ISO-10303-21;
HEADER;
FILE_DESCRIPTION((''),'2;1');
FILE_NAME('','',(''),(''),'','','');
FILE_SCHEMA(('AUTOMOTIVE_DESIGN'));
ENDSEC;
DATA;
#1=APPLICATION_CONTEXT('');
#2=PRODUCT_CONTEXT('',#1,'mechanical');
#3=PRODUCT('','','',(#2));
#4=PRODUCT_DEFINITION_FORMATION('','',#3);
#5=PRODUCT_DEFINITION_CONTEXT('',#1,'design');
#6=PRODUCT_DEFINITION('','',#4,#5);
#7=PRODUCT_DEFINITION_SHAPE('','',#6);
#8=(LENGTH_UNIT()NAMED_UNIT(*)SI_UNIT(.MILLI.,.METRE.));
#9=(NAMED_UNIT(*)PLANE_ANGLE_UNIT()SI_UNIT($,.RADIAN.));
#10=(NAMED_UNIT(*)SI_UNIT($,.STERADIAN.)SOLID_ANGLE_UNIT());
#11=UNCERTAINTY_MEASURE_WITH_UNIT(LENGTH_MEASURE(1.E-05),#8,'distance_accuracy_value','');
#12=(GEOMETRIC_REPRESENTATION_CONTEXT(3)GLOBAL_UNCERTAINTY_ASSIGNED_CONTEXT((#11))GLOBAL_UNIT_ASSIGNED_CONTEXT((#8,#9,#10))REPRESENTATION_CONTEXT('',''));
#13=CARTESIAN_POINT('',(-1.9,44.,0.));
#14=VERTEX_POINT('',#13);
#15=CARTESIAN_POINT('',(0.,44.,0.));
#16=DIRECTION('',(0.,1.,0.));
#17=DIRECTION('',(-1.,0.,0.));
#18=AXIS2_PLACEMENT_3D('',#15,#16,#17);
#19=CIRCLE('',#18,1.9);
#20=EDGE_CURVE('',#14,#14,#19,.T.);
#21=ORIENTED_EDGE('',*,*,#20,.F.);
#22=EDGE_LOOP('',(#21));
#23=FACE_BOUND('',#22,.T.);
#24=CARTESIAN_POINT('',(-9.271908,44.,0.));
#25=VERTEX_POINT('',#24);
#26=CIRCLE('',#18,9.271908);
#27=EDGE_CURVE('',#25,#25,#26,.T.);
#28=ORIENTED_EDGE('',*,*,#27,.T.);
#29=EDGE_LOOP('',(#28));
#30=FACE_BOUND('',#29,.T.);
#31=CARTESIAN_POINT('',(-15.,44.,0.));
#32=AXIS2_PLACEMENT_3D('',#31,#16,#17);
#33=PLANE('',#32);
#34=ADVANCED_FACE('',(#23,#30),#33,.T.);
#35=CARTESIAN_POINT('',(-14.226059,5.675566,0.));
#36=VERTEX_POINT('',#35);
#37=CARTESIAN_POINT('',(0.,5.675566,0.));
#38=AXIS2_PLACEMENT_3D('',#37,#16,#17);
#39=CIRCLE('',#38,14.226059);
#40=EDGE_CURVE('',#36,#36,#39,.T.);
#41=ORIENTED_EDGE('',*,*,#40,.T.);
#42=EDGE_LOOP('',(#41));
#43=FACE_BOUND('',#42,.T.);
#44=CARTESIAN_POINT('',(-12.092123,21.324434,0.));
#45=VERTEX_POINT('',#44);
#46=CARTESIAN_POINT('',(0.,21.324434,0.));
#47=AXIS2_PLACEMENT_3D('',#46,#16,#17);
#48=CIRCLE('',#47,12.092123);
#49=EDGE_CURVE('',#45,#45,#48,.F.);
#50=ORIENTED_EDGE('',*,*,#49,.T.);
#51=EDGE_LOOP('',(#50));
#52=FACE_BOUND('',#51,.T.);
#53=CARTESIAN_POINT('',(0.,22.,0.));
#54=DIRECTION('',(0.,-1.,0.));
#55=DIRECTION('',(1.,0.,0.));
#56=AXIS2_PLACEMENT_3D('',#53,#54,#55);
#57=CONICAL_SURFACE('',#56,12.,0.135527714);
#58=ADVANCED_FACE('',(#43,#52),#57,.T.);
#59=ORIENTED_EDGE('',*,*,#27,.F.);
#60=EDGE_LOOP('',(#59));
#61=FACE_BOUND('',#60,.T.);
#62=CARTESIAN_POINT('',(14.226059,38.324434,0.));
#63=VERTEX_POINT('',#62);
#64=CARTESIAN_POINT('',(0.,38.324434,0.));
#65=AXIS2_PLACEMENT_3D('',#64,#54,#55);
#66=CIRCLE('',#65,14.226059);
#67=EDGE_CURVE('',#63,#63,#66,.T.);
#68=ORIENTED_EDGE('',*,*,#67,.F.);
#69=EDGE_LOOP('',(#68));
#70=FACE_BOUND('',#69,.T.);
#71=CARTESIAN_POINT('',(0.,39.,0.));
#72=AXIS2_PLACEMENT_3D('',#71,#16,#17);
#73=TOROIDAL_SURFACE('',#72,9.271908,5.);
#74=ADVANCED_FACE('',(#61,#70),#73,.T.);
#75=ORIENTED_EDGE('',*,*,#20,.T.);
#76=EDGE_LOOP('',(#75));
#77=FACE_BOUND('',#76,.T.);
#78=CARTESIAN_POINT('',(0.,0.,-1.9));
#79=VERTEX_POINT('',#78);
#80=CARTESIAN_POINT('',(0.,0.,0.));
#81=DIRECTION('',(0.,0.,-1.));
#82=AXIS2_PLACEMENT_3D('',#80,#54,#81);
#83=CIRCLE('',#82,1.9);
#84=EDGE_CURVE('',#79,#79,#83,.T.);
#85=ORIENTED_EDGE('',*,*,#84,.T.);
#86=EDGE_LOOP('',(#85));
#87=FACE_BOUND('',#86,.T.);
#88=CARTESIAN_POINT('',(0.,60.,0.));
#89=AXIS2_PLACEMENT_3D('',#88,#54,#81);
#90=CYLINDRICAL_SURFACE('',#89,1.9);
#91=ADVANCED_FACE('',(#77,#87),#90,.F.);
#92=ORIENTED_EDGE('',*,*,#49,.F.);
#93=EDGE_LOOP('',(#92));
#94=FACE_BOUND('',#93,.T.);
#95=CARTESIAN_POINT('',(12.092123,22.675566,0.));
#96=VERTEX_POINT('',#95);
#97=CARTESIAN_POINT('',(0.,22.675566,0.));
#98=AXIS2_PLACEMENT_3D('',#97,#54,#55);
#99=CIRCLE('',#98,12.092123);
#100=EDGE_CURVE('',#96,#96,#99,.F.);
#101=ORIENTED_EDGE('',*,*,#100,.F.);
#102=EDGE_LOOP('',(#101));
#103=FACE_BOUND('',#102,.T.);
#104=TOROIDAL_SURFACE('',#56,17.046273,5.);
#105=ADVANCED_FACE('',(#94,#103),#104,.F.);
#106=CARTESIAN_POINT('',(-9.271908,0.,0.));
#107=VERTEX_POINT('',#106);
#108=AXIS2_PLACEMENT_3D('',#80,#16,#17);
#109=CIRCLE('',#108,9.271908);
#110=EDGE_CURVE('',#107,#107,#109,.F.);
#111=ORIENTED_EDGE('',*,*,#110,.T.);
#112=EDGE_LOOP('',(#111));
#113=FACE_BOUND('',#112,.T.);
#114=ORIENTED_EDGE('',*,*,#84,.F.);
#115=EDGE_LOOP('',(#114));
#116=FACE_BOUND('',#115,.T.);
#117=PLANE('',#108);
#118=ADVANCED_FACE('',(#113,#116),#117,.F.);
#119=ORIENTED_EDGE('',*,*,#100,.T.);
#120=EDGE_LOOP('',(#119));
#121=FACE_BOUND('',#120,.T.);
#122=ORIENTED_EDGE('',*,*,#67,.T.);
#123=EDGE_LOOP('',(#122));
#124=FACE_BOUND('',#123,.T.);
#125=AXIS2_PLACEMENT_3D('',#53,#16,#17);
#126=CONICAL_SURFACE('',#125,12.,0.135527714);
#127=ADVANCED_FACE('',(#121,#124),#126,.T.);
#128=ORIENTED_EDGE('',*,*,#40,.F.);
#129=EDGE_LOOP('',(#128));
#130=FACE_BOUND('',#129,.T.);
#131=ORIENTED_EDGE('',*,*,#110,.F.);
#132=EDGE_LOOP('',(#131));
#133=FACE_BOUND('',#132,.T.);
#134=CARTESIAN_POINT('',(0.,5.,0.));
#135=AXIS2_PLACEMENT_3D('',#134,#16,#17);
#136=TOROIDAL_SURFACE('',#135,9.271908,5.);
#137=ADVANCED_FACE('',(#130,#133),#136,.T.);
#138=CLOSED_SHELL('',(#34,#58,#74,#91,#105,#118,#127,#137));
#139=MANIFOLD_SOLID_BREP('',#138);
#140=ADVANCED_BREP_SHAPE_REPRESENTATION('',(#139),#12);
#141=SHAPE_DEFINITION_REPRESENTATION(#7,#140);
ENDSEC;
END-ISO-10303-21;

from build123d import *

# Parameters (mm, degrees)
SKETCH_3_R          = 1.9
CUT_EXTRUDE_1_DEPTH = 60
FILLET_1_R          = 5


with BuildPart() as part:
    # 草图2 → 旋转1 (revolve)
    with BuildSketch(Plane.XY, mode=Mode.PRIVATE) as revolve_1_sk:
        Polygon((0, 0), (0, 44), (-15, 44), (-12, 22), (-15, 0), align=None)
    revolve(revolve_1_sk.sketch.rotate(Axis((0, 0, 0), (0, 1, 0)), 180), axis=Axis((0, 0, 0), (0, 1, 0)))

    # 草图3 → 切除-拉伸1 (cut)
    with BuildSketch(Plane.XZ):
        with Locations(Location((0, 0, 0), (0, 0, 270))):
            Circle(SKETCH_3_R)
    extrude(amount=-CUT_EXTRUDE_1_DEPTH, mode=Mode.SUBTRACT)

    # 圆角1
    fillet_1_edges = [part.edges().sort_by_distance(p)[0] for p in [
        (-15, 44, 0),
        (-15, 0, 0),
        (-12, 22, 0),
    ]]
    fillet(fillet_1_edges, radius=FILLET_1_R)


solid = part.part
